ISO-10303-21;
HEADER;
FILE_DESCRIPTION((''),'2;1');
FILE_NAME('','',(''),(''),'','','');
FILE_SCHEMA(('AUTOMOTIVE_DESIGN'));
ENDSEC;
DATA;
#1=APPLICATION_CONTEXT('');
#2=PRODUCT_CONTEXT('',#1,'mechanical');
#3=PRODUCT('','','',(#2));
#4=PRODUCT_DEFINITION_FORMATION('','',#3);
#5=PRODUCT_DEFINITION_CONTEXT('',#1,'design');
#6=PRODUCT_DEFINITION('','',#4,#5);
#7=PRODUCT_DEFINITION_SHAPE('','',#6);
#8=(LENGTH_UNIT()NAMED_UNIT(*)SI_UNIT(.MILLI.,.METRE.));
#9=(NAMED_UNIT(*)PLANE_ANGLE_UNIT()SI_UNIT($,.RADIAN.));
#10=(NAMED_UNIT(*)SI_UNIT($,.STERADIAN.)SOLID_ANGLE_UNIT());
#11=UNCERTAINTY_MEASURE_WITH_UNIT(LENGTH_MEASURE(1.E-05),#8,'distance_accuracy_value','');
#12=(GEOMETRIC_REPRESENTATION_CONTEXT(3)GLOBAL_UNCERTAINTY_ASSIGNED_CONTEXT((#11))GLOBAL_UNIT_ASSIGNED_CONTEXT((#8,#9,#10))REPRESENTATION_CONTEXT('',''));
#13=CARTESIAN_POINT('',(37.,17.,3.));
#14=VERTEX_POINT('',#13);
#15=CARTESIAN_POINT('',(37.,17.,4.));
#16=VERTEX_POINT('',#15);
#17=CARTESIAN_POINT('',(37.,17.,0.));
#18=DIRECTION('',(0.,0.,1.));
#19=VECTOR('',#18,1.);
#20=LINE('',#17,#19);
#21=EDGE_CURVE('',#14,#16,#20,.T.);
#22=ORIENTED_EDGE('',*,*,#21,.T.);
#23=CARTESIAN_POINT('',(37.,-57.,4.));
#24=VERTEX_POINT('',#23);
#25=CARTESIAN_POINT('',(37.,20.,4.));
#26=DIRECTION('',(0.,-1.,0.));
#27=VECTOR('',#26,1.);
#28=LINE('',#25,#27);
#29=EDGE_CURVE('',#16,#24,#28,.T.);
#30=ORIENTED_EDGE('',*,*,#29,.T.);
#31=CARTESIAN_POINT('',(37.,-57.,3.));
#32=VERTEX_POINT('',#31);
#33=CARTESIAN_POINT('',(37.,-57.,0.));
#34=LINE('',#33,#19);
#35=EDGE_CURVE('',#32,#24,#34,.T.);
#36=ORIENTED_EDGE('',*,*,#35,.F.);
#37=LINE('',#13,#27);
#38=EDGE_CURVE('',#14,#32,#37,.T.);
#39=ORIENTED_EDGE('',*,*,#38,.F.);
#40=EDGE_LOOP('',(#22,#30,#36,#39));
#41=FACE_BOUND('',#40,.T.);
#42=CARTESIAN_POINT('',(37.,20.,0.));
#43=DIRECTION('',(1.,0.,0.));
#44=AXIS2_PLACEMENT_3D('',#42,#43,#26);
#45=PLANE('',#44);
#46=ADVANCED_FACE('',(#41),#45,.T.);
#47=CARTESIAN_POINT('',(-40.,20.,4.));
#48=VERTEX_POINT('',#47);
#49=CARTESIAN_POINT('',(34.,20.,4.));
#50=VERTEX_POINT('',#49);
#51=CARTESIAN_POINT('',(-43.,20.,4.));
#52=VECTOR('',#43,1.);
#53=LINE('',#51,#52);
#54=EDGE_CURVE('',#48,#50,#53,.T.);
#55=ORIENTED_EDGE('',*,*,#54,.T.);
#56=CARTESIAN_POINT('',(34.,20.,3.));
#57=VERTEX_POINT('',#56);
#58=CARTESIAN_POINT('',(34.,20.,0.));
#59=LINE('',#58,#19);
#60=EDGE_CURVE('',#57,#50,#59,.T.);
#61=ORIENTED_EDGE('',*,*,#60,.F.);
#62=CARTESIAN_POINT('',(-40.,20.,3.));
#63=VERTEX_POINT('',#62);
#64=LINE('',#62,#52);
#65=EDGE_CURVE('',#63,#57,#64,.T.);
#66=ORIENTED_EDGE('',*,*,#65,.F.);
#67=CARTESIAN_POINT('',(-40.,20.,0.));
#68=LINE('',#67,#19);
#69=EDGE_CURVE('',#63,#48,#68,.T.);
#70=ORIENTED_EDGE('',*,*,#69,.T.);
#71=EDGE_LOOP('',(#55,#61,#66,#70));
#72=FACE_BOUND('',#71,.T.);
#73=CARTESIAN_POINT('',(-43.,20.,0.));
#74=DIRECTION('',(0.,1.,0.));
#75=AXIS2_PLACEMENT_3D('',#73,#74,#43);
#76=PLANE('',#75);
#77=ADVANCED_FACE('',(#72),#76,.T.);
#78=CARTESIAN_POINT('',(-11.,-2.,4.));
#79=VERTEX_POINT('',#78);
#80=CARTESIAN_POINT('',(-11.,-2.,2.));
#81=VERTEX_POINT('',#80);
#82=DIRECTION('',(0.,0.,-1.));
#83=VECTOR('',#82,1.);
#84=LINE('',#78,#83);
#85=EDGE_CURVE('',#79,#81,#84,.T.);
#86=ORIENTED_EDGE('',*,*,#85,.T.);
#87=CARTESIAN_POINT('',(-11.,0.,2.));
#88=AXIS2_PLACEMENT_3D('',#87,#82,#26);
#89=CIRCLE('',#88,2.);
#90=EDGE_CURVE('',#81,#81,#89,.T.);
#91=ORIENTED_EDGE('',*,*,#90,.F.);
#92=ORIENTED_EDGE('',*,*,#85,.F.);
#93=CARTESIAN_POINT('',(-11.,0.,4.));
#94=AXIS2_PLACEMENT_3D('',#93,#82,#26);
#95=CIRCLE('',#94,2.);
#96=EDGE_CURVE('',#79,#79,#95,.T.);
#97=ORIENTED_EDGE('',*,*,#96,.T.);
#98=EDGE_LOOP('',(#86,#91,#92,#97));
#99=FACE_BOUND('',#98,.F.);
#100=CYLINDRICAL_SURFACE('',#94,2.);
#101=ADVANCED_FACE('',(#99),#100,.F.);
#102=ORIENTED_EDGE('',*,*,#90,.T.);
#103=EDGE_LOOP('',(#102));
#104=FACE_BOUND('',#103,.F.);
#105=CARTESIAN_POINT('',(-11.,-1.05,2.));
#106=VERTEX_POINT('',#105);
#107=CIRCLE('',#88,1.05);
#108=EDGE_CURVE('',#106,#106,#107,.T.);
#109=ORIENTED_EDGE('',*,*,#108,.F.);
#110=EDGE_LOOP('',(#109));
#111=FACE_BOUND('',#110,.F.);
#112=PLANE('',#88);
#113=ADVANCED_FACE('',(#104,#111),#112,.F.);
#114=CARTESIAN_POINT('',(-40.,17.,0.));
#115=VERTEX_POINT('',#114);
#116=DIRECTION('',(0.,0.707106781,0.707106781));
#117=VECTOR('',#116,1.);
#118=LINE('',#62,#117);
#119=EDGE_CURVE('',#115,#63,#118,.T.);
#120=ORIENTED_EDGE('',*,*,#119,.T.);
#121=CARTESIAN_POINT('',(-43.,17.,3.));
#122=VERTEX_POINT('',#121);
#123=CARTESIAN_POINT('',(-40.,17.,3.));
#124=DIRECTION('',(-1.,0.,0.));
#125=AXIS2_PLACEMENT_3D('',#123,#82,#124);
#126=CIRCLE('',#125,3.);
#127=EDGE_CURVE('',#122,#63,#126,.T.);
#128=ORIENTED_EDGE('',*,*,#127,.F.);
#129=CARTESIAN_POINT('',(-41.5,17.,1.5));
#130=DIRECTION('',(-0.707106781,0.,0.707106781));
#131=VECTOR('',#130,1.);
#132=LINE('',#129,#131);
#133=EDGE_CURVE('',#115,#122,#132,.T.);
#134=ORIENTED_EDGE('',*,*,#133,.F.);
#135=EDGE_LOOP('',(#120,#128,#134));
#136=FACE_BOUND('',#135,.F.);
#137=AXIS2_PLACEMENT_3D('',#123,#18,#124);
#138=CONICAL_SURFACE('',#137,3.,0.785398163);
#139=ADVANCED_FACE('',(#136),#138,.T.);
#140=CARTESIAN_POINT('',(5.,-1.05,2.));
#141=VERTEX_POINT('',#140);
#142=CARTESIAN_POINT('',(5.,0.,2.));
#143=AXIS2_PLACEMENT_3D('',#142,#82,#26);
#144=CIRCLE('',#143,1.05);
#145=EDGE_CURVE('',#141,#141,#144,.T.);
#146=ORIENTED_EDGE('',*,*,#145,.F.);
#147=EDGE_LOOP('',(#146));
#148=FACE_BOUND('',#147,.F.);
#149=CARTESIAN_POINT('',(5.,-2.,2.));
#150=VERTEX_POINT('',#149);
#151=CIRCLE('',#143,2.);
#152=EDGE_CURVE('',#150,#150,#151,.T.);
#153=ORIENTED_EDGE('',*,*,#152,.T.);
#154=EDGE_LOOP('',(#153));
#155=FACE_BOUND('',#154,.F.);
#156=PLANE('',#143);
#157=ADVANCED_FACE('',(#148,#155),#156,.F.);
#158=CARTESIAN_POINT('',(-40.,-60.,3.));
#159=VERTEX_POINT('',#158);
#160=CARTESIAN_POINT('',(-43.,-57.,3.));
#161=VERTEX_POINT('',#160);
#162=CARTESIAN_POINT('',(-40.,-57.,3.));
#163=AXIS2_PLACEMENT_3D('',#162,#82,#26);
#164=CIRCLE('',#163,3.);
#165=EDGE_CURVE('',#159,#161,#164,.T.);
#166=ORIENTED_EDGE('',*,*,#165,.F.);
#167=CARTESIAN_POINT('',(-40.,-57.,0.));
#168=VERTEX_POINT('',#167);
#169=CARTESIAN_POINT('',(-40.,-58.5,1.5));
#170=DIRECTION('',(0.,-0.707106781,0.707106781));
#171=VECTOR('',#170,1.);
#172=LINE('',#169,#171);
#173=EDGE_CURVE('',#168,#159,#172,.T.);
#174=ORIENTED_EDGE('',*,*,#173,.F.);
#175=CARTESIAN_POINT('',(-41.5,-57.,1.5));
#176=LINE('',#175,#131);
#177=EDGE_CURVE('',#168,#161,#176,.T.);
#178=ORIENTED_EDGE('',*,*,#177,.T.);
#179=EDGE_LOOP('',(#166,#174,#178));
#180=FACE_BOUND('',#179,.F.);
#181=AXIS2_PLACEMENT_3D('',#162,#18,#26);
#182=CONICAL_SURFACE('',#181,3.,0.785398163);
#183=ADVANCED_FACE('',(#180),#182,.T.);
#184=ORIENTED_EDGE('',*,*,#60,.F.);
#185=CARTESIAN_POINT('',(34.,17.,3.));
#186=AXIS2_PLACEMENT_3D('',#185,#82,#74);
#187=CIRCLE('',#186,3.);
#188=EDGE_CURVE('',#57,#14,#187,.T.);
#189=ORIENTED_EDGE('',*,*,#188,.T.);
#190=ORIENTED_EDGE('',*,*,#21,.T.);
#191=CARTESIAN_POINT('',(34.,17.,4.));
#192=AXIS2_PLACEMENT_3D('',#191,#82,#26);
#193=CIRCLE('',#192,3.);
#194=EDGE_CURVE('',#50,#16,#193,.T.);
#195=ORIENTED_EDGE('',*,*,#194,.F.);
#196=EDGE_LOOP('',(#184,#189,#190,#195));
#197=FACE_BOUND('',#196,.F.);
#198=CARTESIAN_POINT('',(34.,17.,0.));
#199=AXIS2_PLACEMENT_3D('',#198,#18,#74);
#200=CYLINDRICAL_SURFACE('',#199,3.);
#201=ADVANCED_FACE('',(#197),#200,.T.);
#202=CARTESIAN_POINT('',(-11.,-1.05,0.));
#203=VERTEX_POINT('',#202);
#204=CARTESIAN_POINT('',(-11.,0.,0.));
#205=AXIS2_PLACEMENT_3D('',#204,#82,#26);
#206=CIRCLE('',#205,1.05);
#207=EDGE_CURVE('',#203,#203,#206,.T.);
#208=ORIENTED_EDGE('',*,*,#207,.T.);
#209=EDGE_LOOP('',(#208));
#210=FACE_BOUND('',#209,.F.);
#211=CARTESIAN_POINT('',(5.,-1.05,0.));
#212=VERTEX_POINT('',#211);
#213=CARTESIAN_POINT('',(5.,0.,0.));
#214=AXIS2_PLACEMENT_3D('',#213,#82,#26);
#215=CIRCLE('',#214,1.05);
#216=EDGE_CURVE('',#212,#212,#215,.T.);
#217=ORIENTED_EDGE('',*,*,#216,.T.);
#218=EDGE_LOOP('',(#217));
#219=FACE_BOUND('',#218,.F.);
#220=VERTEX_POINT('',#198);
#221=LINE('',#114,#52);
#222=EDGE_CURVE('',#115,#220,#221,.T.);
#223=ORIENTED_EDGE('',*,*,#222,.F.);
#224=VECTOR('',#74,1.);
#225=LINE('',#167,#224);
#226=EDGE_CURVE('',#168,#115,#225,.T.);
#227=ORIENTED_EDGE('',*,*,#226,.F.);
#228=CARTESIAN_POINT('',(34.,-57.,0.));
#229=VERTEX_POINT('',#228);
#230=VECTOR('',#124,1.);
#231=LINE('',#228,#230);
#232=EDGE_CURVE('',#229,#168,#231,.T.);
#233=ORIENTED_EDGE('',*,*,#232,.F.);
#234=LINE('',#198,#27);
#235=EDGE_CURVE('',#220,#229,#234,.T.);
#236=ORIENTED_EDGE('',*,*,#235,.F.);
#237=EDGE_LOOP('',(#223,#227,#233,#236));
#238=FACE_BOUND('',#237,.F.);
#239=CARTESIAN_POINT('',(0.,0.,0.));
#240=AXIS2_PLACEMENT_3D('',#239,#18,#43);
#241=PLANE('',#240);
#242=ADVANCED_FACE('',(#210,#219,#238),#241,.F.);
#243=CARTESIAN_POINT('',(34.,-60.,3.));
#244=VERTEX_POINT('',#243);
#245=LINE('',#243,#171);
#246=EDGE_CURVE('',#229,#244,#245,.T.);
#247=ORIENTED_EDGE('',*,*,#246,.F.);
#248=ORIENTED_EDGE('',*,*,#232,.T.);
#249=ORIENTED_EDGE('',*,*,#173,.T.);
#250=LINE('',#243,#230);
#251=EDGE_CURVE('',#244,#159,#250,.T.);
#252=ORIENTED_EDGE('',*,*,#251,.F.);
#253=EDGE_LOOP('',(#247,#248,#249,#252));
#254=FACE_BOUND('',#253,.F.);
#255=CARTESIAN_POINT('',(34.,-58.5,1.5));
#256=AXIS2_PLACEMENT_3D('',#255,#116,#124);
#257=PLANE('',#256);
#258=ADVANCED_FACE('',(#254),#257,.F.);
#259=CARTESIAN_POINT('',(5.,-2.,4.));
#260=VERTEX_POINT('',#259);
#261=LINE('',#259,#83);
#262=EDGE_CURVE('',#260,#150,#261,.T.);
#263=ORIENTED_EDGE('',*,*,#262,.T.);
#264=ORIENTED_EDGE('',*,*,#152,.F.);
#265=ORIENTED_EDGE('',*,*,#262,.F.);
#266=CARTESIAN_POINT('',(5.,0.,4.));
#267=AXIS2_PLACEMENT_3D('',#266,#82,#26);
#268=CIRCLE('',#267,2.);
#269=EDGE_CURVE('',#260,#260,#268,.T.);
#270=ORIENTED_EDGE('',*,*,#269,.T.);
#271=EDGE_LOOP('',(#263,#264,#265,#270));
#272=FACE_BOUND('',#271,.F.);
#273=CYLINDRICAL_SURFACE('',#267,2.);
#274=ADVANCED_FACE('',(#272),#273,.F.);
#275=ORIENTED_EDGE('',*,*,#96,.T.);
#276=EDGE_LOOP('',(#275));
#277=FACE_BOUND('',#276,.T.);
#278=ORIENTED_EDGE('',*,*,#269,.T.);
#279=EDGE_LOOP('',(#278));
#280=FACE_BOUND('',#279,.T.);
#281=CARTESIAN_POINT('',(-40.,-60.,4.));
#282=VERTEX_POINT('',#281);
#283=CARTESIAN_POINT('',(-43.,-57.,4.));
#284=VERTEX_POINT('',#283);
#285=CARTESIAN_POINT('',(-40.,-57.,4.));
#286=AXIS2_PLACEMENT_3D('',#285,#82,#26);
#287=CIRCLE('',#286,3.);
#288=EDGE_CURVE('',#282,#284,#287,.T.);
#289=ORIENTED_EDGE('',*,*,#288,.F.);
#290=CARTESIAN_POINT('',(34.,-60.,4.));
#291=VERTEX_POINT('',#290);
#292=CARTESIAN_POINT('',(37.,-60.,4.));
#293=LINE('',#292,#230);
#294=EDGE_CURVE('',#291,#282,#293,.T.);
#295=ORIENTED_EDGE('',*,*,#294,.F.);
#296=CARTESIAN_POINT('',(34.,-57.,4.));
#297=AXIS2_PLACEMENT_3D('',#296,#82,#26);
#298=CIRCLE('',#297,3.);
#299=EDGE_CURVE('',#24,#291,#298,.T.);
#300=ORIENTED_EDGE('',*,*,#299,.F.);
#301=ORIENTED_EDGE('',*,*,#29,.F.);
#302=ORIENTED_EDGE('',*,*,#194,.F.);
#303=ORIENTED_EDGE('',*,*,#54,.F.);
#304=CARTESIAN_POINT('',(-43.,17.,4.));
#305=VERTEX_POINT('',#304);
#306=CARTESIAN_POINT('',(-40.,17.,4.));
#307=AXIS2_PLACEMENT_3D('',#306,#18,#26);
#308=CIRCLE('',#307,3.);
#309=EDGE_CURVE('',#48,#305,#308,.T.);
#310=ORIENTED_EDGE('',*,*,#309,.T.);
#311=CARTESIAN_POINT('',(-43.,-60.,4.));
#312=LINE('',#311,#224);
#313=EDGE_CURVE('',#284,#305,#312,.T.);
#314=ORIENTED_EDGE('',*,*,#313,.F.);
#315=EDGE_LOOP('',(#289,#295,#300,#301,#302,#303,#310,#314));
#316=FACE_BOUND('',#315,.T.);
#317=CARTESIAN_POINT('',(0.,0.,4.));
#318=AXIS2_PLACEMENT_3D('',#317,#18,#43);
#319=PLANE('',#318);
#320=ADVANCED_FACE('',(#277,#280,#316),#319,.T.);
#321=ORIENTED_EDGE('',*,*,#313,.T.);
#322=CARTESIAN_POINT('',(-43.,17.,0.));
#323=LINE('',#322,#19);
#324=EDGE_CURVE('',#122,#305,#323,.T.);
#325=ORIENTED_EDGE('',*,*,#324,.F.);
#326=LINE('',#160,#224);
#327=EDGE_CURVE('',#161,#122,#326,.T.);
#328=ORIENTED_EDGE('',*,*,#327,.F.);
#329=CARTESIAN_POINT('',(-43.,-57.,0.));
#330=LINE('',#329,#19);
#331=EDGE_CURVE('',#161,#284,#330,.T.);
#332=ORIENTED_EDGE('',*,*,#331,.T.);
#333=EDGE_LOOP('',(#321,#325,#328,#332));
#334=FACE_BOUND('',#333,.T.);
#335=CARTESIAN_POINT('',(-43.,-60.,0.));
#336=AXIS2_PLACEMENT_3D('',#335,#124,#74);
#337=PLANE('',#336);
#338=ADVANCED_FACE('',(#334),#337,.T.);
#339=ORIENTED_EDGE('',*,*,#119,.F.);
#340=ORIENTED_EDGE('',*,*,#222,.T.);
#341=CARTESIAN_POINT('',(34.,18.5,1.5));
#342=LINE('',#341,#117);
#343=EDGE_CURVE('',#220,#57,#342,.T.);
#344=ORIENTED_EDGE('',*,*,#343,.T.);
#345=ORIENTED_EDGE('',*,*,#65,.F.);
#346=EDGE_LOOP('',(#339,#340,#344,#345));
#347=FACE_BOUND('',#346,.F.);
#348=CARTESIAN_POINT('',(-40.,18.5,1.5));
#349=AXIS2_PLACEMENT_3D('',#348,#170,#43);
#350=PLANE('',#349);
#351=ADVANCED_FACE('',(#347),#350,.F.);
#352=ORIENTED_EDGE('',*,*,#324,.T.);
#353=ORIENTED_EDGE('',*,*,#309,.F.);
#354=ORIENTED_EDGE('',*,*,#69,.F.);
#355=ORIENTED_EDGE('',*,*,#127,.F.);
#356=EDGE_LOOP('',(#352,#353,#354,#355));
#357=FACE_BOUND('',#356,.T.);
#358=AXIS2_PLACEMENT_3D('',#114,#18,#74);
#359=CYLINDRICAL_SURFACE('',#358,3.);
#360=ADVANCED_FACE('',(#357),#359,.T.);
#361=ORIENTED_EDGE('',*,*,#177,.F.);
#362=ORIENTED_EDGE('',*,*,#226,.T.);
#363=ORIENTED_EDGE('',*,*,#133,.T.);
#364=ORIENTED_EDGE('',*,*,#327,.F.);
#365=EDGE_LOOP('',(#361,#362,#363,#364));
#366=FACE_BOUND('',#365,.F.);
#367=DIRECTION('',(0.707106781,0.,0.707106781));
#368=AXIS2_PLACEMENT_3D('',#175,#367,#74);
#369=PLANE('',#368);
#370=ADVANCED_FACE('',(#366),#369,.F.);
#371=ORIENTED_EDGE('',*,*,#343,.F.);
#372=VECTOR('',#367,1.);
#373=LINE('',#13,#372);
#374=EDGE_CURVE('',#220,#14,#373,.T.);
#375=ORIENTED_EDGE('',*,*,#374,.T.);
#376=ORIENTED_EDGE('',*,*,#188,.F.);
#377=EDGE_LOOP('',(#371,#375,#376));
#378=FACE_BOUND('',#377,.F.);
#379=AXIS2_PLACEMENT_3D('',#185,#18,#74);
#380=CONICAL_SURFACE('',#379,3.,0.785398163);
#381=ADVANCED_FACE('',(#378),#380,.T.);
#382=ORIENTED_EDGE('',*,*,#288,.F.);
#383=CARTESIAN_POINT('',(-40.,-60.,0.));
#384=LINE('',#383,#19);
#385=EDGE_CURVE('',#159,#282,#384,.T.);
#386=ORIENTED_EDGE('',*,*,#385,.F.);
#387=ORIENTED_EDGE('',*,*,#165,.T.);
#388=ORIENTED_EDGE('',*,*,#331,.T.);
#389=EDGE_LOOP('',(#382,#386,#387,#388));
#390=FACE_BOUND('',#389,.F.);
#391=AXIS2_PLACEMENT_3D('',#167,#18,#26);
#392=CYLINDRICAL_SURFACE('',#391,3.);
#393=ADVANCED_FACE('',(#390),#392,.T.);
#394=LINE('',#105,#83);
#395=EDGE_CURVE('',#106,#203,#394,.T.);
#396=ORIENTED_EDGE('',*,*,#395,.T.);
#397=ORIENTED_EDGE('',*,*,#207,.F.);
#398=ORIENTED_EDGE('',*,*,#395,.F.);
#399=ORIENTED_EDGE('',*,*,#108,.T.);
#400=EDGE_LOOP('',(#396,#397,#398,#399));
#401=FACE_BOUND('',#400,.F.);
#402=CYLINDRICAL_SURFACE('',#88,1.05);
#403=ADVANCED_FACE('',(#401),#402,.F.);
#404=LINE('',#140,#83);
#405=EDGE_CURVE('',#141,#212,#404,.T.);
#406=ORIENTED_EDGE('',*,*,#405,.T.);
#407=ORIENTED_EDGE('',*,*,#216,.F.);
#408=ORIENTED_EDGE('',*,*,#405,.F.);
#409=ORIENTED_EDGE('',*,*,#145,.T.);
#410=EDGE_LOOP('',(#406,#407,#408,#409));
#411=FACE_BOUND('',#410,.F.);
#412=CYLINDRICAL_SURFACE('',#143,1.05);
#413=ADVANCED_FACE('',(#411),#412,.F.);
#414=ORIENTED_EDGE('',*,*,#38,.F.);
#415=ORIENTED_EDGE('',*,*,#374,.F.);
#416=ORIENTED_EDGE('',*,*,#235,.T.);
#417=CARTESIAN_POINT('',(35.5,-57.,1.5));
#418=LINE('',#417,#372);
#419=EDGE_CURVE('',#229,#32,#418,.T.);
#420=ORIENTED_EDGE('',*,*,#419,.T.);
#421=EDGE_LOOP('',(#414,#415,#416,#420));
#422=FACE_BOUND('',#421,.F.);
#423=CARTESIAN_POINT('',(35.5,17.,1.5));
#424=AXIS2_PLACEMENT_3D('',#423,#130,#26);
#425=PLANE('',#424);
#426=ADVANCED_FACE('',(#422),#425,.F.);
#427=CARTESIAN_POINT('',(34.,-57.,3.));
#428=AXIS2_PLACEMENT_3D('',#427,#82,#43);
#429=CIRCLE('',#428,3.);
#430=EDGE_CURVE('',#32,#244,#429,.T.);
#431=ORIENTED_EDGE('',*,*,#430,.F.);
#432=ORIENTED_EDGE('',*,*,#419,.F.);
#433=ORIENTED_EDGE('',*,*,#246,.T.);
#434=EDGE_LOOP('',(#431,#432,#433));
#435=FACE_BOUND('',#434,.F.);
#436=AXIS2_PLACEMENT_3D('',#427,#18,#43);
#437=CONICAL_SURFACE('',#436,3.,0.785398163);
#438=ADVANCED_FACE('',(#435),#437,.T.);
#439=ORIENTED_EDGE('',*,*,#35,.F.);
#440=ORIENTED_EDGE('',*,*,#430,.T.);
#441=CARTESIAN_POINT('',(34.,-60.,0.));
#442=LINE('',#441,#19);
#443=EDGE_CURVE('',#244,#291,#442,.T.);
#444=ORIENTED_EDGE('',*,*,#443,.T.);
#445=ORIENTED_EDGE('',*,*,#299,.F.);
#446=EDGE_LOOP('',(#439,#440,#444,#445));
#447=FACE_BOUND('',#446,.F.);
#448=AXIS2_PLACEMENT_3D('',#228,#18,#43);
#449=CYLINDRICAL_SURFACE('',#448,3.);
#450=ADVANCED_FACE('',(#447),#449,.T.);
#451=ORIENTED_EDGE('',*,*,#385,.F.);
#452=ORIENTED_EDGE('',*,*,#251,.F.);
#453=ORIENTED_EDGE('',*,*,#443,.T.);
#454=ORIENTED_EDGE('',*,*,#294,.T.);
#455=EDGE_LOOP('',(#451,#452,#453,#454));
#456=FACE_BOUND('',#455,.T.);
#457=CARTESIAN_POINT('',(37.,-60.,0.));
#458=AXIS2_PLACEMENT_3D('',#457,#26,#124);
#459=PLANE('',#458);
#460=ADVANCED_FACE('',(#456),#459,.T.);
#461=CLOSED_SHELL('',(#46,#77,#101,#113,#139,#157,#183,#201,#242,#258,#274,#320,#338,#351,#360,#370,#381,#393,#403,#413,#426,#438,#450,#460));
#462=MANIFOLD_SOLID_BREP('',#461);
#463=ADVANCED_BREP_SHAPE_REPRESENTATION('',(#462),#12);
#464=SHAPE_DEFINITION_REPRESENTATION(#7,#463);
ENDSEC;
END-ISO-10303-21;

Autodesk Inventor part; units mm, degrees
ref_plane "YZ Plane" through (0, 0, 0) normal (1, 0, 0) x (0, 1, 0)
ref_plane "XZ Plane" through (0, 0, 0) normal (0, 1, 0) x (-1, 0, 0)
ref_plane "XY Plane" through (0, 0, 0) normal (0, 0, 1) x (1, 0, 0)
sketch "Sketch1" plane through (0, 0, 0) normal (0, 0, 1) x (1, 0, 0)
  circle A0 centre (5, 0) radius 1.1 projected
  circle A1 centre (-11, 0) radius 1.1 projected
  line L0 (-11, 0) -> (5, 0) construction
  line L1 (-43, 20) -> (37, 20)
  line L2 (-3, 22.8039) -> (-3, -25.7358) construction
  line L3 (37, 20) -> (37, -60)
  line L4 (37, -60) -> (-43, -60)
  line L5 (-43, -60) -> (-43, 20)
  point P0 (0, 0)
  point P1 (-3, 0)
  point P2 (-3, 20)
  dimension "d0" = 80
  dimension "d1" = 80
  dimension "d2" = 20
extrude "Extrusion1" add sketch "Sketch1" along normal blind 4 contours A0 | A1 | L1 L3 L4 L5
fillet "Fillet1" radius 3 4 edges at (-43, 20, 2) (-43, -60, 2) (37, -60, 2) (37, 20, 2)
sketch "Sketch2" plane through (0, 0, 4) normal (0, 0, 1) x (1, 0, 0)
  circle A0 centre (-11, 0) radius 1.1 projected
  circle A1 centre (5, 0) radius 1.1 projected
  point P0 (0, 0)
hole "Hole1" at (-11, 0, 4) at (5, 0, 4) direction (0, 0, -1) diameter 2.1 end through all counterbore diameter 4 counterbore depth 2
chamfer "Chamfer1" distance 3 angle 45 8 edges at (-43, -20, 0) (-42.1213, 19.1213, 0) (-3, 20, 0) (36.1213, 19.1213, 0) (37, -20, 0) (36.1213, -59.1213, 0) (-3, -60, 0) (-42.1213, -59.1213, 0)
equation "\"d1\" = d0"
properties part number "Touchplate"
